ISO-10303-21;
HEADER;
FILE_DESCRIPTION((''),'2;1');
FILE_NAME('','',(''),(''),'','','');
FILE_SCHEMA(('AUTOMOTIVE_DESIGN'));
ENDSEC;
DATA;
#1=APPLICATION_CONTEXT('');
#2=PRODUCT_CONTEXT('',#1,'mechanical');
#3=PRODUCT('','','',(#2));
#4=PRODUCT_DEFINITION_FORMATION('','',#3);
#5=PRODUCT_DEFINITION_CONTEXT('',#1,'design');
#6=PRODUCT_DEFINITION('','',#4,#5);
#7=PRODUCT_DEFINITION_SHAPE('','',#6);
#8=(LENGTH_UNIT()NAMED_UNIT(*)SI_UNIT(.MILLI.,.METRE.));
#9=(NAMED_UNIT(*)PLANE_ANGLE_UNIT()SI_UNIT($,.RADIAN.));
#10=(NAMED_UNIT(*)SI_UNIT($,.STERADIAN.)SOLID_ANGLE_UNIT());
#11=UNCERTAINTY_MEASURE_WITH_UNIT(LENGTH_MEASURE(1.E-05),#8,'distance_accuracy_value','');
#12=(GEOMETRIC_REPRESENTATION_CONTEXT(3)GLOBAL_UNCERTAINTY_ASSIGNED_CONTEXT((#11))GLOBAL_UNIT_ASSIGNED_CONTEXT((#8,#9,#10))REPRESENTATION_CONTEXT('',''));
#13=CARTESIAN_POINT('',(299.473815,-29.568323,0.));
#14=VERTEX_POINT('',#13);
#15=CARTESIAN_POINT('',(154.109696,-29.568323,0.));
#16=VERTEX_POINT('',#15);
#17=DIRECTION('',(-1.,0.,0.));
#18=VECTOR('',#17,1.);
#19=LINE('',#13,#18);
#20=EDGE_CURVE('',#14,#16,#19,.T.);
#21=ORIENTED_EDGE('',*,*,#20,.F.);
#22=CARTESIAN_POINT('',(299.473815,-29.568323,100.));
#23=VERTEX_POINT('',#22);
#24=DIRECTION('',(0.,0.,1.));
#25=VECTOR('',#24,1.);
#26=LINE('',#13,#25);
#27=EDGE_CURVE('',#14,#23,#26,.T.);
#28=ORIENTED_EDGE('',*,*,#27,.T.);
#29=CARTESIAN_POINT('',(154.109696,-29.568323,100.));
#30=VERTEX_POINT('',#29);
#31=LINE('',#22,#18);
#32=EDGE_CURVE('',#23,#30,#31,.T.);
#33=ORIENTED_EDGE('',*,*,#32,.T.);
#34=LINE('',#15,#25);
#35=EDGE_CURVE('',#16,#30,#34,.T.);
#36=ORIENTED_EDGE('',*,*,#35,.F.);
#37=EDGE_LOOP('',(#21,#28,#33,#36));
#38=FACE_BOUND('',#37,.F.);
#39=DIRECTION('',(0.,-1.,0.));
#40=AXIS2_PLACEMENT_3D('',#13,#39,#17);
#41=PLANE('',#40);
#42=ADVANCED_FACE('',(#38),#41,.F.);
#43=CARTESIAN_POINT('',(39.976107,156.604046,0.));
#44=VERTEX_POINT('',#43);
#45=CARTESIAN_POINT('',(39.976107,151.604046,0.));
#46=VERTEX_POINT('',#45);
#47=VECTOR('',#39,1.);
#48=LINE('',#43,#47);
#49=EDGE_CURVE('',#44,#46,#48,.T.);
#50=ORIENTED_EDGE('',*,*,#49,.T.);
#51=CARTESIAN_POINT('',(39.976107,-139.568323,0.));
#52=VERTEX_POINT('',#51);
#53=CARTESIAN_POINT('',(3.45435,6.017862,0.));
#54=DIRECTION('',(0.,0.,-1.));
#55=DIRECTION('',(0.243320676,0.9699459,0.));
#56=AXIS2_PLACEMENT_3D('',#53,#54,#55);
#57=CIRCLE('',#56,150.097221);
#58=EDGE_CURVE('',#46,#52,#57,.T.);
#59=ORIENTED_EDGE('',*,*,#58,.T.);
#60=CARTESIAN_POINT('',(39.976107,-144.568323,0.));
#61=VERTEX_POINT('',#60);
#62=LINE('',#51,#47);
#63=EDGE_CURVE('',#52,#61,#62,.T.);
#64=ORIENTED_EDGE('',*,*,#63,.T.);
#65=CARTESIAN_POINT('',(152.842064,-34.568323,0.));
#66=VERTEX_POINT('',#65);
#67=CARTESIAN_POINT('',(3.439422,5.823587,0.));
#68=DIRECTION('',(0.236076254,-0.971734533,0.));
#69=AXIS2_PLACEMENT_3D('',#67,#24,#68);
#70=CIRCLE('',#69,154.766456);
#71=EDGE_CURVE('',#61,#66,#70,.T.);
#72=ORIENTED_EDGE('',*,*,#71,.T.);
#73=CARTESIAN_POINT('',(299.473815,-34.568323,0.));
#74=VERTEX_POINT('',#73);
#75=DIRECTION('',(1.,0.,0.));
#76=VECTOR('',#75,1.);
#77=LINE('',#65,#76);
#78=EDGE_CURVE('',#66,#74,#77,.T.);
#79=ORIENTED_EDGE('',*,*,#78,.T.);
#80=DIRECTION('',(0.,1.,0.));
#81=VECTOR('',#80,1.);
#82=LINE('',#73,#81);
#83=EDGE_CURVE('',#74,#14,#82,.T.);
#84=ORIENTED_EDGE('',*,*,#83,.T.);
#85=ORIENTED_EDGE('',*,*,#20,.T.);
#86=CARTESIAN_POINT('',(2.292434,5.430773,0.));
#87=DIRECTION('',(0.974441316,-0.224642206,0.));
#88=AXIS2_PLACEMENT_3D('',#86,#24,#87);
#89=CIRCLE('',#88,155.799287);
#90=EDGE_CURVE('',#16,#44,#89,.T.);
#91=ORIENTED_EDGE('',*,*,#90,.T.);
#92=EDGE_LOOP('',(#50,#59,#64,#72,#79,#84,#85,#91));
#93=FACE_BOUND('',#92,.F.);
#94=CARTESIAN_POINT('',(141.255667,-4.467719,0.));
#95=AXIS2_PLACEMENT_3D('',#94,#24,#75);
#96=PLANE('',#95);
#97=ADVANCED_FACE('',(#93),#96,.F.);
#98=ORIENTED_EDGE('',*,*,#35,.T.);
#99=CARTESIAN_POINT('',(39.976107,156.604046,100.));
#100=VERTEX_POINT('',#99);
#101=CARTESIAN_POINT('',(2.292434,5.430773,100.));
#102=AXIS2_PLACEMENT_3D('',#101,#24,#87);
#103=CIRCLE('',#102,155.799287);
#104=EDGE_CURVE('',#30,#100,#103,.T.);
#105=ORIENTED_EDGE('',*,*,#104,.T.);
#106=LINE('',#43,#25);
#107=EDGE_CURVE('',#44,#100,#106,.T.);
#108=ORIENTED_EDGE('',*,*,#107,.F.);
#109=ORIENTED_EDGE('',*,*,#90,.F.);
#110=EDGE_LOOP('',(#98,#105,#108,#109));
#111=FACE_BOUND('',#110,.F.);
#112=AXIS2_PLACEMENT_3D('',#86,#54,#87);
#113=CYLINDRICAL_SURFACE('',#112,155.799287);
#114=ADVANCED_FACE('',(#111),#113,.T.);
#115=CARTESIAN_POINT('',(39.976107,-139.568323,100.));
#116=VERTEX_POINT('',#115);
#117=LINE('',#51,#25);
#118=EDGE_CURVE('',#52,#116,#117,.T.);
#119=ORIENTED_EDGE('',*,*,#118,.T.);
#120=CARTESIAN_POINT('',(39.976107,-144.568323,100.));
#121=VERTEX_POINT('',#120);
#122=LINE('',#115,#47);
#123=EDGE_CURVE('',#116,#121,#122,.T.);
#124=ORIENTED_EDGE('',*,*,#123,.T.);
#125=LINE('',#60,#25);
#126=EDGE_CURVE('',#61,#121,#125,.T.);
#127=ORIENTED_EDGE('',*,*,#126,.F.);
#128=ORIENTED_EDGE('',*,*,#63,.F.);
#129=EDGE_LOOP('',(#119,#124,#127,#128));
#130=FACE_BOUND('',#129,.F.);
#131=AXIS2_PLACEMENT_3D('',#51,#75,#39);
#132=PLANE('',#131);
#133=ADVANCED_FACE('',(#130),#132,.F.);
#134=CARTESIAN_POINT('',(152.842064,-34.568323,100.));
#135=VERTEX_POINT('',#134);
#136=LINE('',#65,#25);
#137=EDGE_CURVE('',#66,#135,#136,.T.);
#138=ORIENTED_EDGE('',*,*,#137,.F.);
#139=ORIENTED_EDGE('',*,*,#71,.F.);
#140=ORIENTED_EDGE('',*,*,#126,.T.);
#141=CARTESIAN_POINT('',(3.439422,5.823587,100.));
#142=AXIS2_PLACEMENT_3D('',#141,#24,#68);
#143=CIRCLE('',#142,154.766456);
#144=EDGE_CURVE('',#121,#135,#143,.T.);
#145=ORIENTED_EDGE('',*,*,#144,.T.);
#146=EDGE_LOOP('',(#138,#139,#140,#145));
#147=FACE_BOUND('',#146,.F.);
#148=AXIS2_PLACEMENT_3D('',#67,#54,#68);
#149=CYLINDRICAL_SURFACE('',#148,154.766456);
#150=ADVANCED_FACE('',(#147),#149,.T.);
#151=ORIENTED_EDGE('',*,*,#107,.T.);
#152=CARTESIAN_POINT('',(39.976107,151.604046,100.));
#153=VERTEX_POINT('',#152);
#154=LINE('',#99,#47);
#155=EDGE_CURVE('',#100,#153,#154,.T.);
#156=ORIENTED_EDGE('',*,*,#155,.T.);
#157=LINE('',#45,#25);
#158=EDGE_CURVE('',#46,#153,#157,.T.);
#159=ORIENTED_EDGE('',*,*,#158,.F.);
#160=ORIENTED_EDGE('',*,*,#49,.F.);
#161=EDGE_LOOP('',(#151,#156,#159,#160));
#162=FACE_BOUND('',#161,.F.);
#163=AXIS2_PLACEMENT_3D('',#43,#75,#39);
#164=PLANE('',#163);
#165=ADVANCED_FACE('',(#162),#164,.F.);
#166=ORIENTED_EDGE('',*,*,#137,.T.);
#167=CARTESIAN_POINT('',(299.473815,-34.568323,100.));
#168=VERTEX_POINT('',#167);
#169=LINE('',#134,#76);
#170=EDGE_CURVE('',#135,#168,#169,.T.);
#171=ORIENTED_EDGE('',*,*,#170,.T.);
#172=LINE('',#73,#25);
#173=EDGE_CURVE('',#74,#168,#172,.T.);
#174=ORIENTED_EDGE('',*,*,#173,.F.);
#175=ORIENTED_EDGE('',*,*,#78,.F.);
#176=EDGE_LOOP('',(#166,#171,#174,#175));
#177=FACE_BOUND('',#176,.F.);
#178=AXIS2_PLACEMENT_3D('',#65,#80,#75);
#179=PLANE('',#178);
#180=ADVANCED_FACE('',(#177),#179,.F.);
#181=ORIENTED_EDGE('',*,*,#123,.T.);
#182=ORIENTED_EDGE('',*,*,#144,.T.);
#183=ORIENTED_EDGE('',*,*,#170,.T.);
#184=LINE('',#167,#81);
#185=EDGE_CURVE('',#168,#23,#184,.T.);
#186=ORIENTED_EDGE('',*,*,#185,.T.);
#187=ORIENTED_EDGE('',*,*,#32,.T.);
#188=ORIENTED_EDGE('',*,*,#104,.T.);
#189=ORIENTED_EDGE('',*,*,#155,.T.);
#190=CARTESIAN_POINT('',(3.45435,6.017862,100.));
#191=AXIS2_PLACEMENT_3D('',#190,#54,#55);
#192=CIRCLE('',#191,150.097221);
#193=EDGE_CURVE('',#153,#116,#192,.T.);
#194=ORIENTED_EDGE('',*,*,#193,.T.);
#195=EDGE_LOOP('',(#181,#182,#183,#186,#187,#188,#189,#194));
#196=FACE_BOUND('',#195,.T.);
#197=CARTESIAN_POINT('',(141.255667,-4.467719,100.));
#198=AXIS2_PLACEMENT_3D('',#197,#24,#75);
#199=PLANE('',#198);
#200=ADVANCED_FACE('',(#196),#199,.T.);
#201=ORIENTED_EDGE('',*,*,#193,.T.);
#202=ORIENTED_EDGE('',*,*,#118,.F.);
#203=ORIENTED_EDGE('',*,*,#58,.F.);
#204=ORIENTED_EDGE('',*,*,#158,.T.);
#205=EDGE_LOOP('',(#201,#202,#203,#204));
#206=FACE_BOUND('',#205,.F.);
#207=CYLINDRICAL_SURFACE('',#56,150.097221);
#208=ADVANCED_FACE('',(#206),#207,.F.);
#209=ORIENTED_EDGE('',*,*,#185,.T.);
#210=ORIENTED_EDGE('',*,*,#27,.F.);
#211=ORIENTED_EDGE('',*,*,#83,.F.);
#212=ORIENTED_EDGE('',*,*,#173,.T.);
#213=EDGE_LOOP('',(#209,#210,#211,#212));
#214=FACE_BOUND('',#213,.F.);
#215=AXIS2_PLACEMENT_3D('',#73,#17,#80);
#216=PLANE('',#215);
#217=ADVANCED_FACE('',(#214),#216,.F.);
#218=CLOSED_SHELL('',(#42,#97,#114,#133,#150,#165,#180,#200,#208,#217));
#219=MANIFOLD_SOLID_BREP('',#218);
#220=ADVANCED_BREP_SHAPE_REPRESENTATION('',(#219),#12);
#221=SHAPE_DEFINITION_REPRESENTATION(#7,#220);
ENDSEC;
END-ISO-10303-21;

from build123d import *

# Parameters (mm, degrees)
F1_DEPTH = 100


with BuildPart() as f1:
    # F0 (on Top) → F1 (new body)
    with BuildSketch(Plane.XY):
        with BuildLine():
            Line((152.842064, -34.568323), (299.473815, -34.568323))
            Line((299.473815, -34.568323), (299.473815, -29.568323))
            Line((299.473815, -29.568323), (154.109696, -29.568323))
            ThreePointArc((154.109696, -29.568323), (135.118218, 86.86006), (39.976107, 156.604046))
            Line((39.976107, 156.604046), (39.976107, 151.604046))
            ThreePointArc((39.976107, 151.604046), (153.551571, 6.017862), (39.976107, -139.568323))
            Line((39.976107, -139.568323), (39.976107, -144.568323))
            ThreePointArc((39.976107, -144.568323), (111.459598, -105.010963), (152.842064, -34.568323))
        make_face()
    extrude(amount=F1_DEPTH)


solid = f1.part
